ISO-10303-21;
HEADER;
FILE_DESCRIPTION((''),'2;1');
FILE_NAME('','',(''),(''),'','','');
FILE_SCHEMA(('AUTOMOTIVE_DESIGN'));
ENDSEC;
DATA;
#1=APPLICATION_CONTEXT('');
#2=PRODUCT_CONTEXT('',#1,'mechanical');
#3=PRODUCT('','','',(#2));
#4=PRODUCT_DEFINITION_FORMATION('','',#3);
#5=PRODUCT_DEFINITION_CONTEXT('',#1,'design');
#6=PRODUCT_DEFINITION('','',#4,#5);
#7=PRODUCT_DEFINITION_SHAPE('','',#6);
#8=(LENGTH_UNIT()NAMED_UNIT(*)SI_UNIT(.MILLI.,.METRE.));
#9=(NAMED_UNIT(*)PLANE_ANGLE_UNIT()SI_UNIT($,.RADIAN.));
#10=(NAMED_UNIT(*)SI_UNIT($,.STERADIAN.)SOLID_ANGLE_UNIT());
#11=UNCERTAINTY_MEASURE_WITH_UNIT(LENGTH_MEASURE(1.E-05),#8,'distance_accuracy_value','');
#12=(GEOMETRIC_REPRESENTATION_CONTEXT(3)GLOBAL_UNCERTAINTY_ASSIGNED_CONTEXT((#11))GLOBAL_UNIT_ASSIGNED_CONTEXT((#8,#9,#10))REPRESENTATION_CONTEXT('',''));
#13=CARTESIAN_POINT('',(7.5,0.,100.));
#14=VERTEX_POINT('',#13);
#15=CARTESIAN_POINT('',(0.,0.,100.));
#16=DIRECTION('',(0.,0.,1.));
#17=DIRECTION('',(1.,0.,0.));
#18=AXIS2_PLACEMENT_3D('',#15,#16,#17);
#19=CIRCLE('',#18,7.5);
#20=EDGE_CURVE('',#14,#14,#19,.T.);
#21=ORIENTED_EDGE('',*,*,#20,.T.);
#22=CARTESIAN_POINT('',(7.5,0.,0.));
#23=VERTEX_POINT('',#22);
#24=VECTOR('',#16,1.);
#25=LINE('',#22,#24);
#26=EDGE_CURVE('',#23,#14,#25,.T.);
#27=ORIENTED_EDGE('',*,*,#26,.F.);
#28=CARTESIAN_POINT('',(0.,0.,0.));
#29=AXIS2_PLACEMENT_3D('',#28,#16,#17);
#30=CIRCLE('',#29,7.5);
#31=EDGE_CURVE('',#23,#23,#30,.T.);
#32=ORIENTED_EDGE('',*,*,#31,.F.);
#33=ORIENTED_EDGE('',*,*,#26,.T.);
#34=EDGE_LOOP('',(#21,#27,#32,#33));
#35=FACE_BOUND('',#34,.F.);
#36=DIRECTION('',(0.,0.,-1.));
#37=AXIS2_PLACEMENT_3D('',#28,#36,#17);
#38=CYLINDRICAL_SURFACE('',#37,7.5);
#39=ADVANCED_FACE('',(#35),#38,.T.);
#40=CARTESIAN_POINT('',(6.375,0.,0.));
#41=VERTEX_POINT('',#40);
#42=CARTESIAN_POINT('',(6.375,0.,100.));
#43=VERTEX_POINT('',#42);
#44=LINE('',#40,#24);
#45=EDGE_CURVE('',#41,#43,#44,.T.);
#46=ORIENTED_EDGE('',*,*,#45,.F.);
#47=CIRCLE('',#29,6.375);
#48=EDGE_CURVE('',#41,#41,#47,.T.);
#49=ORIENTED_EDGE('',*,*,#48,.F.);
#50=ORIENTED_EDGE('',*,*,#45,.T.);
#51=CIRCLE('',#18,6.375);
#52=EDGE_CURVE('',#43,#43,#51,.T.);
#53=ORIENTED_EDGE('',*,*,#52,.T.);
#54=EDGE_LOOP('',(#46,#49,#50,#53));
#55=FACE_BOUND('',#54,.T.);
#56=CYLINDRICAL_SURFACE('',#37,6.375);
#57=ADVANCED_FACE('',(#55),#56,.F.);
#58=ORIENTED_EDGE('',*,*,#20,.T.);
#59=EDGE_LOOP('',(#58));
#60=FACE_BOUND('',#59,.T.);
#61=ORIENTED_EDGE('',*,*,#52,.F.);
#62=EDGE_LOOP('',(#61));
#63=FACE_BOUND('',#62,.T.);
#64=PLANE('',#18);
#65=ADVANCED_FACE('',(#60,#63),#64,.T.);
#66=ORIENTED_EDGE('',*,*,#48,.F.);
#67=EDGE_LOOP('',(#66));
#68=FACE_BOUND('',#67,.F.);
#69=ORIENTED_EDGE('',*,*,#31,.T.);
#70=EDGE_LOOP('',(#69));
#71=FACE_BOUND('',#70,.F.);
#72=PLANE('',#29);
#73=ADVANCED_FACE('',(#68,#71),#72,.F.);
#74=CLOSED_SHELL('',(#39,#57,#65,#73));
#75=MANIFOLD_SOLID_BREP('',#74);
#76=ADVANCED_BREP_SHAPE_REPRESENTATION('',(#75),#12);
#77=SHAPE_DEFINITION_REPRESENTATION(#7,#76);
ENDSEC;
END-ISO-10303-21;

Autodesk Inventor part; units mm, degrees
ref_plane "YZ Plane" through (0, 0, 0) normal (1, 0, 0) x (0, 1, 0)
ref_plane "XZ Plane" through (0, 0, 0) normal (0, 1, 0) x (-1, 0, 0)
ref_plane "XY Plane" through (0, 0, 0) normal (0, 0, 1) x (1, 0, 0)
sketch "Boceto1" plane through (0, 0, 0) normal (0, 0, 1) x (1, 0, 0)
  circle A0 centre (0, 0) radius 6.375
  circle A1 centre (0, 0) radius 7.5
  dimension "d0" = 12.75
  dimension "d1" = 15
extrude "Extrusión1" add sketch "Boceto1" along normal blind 100
properties part number "cilindre" material "Tuberías de PVC"
